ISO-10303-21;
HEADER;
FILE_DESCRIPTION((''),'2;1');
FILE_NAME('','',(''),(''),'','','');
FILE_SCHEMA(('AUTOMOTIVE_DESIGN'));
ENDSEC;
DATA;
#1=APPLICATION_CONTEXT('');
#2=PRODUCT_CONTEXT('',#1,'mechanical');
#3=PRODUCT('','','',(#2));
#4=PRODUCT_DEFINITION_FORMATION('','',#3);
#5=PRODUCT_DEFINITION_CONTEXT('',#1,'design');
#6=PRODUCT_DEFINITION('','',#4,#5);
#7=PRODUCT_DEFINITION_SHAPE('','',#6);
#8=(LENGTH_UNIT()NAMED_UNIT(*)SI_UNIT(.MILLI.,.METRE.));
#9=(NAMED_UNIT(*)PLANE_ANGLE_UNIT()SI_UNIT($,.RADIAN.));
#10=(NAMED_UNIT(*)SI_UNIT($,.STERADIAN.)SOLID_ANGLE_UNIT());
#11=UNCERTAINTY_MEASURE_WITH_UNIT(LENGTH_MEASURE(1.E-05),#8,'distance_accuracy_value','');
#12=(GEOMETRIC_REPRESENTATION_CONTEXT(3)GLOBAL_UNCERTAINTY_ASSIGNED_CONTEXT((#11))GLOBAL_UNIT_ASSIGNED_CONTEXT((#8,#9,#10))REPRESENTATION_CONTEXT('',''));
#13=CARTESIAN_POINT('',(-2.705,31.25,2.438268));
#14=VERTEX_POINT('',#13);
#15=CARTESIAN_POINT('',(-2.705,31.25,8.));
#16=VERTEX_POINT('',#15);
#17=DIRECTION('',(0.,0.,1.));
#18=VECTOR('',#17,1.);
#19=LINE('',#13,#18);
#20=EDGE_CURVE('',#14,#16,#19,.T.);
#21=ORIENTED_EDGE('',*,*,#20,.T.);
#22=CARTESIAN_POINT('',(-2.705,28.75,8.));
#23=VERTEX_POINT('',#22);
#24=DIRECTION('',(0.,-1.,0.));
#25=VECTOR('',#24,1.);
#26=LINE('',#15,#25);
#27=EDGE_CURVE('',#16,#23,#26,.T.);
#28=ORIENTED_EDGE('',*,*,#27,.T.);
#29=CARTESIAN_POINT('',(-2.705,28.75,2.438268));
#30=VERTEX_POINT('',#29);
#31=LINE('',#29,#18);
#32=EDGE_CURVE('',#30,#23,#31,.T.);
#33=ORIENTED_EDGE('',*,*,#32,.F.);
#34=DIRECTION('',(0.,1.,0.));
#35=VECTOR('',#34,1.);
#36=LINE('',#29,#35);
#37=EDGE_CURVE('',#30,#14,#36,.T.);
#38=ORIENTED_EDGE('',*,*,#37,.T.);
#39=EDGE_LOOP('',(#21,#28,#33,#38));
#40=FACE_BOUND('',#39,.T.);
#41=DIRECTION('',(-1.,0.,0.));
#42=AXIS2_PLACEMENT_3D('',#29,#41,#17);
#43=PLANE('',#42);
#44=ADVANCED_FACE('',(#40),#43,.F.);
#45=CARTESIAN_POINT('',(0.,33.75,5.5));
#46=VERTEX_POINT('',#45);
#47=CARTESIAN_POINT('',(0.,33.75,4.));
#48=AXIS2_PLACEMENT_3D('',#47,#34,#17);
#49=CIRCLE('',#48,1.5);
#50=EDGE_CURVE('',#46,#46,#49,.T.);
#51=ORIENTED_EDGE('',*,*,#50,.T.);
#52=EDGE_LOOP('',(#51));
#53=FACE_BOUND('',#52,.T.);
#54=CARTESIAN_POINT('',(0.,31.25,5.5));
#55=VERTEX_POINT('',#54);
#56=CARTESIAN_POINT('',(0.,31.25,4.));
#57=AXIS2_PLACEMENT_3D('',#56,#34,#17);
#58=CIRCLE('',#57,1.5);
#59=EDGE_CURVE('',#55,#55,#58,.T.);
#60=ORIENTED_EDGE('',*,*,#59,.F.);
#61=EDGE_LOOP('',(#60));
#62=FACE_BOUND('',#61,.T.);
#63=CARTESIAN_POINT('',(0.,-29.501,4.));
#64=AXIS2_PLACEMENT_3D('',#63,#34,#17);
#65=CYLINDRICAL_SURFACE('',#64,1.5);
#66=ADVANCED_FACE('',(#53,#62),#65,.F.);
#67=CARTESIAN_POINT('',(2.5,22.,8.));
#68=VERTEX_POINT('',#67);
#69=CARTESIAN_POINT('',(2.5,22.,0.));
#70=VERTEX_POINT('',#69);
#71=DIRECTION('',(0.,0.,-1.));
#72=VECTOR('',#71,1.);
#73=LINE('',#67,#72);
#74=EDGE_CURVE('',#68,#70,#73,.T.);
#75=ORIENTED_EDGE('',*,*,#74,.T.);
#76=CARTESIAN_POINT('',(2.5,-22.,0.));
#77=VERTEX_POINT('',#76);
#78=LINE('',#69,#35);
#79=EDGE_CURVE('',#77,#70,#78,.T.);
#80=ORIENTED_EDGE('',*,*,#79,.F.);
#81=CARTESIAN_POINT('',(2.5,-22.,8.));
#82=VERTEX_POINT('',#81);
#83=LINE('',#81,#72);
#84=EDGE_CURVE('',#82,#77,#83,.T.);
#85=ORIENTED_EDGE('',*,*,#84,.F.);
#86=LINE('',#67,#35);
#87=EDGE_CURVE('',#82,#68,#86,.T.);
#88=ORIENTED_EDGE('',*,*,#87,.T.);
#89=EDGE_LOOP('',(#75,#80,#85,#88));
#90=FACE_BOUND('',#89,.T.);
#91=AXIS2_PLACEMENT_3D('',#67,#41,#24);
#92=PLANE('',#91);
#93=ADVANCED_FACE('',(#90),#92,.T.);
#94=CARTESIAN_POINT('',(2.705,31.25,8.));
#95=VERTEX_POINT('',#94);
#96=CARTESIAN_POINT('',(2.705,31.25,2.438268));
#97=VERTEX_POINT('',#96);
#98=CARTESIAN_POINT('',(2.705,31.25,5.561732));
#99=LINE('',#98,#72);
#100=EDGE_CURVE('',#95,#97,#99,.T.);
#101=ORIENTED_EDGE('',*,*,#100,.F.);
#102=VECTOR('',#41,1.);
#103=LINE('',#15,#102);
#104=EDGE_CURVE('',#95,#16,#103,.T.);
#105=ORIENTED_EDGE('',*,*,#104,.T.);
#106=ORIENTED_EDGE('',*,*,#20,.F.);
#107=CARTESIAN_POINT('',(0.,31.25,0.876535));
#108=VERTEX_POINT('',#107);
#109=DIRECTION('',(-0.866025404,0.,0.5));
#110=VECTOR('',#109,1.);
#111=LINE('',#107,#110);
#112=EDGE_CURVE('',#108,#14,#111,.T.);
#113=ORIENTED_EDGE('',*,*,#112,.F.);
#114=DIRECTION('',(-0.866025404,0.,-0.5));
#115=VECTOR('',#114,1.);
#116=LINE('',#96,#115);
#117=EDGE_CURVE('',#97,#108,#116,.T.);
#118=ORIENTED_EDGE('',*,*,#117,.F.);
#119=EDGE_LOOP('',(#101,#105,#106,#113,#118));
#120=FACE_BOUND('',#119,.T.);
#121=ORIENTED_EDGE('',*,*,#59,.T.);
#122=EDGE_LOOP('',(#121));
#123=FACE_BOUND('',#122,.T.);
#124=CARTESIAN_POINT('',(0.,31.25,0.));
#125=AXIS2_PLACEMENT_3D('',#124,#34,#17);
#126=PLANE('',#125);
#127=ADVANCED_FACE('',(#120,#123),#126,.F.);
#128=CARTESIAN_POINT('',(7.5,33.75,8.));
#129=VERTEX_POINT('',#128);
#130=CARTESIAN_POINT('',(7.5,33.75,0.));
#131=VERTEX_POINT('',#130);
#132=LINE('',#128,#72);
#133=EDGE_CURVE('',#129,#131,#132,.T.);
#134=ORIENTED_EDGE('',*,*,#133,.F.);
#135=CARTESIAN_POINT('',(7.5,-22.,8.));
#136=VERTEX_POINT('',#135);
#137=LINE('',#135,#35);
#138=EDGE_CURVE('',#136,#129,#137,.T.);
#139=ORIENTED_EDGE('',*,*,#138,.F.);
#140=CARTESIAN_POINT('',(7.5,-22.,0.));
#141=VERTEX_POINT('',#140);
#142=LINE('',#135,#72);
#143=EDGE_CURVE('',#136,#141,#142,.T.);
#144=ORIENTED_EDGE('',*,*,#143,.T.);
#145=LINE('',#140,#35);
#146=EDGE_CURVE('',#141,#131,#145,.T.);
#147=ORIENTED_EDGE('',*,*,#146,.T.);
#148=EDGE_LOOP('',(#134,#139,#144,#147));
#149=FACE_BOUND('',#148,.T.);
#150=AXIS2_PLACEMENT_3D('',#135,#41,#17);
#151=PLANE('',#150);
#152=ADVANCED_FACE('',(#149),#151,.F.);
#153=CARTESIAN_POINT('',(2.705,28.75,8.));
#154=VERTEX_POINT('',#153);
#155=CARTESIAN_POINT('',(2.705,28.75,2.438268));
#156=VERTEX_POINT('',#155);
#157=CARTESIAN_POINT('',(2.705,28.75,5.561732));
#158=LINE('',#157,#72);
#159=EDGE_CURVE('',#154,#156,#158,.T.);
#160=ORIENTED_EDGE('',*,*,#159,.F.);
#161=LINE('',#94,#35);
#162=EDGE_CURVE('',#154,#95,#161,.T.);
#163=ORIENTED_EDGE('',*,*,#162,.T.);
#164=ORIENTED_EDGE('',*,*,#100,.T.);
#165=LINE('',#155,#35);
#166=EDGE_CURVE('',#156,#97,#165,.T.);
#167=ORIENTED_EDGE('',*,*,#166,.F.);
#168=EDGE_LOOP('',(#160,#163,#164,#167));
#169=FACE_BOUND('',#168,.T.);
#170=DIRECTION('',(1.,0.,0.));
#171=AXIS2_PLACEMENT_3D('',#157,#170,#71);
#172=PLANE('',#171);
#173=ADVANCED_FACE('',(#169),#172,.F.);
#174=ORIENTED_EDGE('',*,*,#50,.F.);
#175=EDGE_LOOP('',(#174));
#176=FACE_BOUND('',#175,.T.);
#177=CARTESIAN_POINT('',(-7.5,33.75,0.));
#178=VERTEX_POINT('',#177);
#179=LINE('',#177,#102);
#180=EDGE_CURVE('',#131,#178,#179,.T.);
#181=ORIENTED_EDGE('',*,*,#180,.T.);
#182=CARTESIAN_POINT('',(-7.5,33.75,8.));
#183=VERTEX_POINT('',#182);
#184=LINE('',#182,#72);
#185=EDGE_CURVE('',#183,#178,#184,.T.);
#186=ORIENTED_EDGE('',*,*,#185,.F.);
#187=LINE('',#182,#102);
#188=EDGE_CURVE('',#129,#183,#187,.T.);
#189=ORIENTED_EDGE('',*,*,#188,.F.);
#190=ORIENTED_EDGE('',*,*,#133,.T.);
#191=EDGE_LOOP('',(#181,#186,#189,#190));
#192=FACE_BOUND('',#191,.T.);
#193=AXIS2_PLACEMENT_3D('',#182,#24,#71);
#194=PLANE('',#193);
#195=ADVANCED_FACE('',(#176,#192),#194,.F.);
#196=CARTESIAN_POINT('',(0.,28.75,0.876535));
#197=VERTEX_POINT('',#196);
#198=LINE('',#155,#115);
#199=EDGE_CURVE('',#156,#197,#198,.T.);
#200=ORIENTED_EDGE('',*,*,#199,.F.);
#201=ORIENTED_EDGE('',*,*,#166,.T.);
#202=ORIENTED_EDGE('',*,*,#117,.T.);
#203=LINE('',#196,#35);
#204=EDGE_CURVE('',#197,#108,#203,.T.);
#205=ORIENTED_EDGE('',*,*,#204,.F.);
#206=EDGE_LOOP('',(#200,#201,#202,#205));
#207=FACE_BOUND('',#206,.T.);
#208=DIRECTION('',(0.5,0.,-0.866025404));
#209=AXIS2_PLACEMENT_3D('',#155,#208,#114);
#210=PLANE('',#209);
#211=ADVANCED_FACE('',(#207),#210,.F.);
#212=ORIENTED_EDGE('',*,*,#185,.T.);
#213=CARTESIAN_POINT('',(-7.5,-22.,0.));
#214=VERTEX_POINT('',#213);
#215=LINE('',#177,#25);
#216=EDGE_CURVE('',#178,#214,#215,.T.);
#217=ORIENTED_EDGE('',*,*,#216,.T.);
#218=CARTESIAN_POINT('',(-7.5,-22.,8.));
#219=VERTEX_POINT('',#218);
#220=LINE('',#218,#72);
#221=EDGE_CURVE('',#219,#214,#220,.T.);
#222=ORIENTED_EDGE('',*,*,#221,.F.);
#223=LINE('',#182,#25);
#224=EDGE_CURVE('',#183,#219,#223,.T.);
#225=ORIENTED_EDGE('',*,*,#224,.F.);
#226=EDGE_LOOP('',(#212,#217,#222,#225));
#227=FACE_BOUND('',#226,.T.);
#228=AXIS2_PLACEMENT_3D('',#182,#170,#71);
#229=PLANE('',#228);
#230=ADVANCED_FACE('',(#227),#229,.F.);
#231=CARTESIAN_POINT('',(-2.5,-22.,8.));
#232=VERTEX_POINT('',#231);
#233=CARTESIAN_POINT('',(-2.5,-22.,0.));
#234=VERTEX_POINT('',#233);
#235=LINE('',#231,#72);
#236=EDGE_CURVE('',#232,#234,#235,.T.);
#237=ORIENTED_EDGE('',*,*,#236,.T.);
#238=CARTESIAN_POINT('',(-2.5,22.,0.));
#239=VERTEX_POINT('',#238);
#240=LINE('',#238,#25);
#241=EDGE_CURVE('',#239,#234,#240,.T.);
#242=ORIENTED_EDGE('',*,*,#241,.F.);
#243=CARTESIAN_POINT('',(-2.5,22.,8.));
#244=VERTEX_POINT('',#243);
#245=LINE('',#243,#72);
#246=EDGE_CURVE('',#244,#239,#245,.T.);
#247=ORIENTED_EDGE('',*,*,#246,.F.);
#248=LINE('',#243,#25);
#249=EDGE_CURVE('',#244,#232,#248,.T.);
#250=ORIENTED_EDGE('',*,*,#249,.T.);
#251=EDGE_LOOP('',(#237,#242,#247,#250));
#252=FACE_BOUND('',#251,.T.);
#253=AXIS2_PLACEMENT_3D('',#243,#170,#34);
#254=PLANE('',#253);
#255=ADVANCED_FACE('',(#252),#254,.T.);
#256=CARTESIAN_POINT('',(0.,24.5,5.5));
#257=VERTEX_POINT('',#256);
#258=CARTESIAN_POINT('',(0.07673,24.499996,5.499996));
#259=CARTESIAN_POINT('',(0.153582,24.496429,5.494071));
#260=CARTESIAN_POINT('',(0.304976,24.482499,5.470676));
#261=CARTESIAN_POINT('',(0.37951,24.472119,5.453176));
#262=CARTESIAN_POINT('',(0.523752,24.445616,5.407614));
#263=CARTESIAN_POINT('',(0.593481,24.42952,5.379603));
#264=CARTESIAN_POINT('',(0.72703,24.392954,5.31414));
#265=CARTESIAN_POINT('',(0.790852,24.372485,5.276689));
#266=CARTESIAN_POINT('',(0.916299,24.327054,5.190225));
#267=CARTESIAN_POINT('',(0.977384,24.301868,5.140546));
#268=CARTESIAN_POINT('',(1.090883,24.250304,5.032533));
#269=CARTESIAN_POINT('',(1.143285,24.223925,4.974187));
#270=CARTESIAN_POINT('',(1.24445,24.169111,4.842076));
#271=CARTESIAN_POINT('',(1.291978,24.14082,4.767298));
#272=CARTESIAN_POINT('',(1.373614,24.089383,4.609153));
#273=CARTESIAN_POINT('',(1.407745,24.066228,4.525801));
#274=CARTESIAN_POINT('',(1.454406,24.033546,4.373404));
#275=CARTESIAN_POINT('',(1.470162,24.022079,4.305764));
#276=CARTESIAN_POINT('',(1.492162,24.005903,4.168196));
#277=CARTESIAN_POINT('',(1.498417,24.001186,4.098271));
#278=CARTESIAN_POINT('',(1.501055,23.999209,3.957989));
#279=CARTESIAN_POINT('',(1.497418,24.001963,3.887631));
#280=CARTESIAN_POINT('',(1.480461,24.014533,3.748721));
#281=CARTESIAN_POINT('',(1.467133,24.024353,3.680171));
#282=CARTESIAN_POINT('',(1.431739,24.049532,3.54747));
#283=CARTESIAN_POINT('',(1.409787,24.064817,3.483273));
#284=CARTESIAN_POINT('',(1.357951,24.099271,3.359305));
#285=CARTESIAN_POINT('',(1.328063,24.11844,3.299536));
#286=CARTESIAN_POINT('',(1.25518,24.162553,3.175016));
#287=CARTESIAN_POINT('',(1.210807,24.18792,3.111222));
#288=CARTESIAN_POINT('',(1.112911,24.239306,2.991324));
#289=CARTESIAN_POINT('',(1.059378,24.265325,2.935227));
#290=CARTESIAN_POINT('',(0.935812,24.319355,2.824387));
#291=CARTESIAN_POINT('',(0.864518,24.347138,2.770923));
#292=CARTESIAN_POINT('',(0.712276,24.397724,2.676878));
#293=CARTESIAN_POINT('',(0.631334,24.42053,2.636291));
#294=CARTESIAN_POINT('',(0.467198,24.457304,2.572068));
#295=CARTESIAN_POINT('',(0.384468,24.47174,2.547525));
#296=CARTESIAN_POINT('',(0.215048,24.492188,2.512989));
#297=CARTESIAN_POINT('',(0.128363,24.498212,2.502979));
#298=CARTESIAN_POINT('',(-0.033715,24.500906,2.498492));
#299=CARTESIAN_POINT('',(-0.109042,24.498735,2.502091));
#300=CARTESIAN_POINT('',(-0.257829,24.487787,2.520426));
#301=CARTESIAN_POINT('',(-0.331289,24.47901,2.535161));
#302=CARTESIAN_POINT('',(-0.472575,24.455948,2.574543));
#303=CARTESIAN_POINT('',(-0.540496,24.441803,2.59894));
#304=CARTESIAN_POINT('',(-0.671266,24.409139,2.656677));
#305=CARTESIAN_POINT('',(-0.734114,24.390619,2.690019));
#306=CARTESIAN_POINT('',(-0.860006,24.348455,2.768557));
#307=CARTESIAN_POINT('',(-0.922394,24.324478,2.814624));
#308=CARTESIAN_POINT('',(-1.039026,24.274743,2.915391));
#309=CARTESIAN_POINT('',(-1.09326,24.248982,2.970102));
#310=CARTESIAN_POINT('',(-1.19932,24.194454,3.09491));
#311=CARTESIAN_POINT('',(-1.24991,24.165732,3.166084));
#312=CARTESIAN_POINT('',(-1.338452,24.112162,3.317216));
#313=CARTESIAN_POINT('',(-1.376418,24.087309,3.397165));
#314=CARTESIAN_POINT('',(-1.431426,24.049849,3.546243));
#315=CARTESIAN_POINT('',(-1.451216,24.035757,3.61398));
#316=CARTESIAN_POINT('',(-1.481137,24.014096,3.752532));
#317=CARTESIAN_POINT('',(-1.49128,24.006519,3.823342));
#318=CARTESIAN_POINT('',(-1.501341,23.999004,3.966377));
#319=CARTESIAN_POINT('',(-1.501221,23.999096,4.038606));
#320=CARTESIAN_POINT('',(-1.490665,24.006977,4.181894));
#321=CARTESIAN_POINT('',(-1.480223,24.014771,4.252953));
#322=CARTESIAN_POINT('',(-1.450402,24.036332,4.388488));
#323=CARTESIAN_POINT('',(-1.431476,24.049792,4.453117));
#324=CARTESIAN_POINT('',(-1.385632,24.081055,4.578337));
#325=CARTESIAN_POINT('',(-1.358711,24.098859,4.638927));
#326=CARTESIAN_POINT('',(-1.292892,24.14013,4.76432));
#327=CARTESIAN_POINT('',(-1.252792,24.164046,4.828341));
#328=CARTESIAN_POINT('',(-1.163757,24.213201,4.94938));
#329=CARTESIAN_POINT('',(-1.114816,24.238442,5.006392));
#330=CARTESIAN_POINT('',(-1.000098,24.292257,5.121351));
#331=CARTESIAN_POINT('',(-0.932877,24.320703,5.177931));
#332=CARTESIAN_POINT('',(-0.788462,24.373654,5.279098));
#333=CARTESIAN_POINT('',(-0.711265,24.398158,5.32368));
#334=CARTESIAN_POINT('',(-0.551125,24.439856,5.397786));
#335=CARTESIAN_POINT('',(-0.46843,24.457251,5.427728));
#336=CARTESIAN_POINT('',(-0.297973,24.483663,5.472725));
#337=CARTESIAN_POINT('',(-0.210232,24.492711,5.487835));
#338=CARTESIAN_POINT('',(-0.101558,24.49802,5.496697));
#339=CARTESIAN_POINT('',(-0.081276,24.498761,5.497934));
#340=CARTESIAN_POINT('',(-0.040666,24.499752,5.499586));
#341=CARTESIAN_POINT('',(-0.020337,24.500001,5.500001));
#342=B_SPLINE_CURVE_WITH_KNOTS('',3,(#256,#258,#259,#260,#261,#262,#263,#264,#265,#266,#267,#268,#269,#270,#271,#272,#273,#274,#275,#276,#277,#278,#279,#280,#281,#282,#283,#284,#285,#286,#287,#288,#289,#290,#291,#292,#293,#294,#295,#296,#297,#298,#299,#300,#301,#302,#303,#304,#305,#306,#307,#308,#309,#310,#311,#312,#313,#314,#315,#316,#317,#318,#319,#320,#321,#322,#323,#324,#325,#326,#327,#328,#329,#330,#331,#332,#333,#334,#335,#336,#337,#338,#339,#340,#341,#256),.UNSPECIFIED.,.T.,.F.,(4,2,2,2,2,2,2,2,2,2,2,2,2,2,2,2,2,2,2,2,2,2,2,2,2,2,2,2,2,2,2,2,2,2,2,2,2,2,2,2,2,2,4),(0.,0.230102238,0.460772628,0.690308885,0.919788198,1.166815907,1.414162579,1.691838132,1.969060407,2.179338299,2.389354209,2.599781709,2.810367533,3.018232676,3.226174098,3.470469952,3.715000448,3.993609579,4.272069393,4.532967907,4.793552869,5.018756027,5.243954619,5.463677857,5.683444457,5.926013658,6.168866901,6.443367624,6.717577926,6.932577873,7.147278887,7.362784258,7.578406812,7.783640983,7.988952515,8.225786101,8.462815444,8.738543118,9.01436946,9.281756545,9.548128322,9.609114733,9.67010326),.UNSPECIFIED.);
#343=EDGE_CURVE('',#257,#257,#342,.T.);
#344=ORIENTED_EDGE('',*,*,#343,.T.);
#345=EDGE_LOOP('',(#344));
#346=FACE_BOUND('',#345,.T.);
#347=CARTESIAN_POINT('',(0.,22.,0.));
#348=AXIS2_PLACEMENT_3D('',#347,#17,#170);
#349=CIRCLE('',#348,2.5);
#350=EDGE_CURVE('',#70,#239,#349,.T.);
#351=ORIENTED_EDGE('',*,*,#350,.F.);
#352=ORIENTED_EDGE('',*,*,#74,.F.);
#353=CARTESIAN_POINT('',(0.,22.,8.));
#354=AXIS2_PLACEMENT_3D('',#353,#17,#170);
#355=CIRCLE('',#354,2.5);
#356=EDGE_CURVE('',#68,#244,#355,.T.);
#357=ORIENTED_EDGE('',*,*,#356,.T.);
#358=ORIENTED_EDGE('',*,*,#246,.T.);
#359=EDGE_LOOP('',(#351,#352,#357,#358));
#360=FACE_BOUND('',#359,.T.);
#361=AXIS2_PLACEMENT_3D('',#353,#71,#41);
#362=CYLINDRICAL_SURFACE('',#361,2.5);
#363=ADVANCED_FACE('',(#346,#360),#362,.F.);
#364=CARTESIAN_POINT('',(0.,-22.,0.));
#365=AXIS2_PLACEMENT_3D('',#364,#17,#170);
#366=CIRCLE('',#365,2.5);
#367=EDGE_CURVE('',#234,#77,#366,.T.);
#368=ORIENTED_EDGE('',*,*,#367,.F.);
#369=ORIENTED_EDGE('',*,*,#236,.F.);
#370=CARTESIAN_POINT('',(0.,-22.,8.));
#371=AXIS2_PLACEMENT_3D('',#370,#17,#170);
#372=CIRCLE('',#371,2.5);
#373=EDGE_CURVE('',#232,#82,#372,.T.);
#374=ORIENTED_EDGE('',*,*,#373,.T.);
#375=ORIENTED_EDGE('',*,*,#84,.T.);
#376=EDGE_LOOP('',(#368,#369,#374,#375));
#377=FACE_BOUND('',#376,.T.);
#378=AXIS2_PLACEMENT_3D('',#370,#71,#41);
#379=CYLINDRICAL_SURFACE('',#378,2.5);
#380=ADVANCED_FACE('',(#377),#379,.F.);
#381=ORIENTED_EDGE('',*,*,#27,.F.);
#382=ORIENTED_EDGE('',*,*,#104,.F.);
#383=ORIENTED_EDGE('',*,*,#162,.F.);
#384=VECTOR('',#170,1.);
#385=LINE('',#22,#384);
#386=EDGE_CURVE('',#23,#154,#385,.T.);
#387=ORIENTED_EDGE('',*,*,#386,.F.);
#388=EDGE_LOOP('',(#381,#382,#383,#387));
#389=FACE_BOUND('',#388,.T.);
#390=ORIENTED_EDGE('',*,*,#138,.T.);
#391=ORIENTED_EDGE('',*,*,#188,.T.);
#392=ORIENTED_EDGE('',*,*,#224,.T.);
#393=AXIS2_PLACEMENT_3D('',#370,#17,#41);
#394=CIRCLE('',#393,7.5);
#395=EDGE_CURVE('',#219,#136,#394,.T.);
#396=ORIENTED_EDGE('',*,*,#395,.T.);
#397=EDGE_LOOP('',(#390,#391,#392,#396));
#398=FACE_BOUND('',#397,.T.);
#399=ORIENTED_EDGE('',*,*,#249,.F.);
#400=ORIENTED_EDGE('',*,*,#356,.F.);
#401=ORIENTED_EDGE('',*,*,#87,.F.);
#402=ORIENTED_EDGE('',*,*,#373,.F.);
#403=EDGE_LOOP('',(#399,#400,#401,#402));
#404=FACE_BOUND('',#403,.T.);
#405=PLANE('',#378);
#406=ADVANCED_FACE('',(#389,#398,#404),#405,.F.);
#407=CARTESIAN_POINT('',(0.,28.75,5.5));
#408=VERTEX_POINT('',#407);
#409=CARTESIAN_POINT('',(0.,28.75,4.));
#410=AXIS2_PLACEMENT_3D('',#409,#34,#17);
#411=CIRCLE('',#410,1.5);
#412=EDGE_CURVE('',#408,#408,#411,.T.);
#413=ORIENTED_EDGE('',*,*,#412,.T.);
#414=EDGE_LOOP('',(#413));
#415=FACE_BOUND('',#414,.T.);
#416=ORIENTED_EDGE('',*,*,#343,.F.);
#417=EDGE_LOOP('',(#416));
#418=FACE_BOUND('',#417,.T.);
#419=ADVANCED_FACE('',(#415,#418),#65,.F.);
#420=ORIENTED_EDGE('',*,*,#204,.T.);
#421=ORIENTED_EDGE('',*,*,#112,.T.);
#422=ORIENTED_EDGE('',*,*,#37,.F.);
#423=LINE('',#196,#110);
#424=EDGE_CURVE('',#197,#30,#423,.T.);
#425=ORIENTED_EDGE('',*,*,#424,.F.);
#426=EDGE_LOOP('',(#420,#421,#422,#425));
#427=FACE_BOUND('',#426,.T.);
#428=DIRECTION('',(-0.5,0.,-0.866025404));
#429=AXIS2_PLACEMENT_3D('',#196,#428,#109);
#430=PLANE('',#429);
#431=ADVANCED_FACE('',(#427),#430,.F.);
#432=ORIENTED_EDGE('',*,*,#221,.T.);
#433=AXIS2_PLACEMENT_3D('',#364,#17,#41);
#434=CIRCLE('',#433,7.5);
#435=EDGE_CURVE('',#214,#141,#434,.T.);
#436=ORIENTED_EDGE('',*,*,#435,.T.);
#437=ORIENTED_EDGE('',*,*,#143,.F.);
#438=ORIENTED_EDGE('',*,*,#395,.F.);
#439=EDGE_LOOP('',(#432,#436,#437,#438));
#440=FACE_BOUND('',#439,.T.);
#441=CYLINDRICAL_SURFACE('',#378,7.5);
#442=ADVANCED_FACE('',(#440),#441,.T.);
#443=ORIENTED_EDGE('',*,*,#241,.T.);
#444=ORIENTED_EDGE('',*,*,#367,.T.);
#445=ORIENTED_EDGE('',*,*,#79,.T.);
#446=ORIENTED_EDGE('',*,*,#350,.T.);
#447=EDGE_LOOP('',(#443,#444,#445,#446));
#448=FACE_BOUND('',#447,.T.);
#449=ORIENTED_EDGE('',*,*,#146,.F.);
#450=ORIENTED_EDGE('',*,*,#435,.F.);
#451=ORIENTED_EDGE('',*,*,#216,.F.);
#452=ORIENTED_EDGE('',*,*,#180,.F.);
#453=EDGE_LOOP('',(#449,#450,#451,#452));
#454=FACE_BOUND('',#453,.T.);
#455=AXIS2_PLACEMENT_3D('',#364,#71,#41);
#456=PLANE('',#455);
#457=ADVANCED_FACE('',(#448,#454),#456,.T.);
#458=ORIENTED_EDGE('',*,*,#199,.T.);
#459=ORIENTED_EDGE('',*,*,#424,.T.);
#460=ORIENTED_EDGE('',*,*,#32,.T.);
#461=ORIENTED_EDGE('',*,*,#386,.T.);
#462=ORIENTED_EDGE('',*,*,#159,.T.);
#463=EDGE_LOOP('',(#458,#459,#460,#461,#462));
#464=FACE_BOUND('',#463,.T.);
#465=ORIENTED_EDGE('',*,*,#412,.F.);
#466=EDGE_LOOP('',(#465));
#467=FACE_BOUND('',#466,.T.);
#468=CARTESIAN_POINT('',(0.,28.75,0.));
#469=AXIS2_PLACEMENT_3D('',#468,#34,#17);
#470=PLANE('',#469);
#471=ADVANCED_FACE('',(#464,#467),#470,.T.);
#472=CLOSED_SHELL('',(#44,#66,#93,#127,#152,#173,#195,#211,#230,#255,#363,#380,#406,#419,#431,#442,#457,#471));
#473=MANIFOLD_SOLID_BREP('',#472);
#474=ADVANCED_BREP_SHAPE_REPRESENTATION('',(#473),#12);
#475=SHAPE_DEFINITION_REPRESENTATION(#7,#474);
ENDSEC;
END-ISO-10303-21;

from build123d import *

# Parameters (mm, degrees)
BOSS_EXTRUDE1_DEPTH     = 8
CUT_EXTRUDE2_START      = -2.5
CUT_EXTRUDE2_DEPTH      = 2.5
SKETCH4_W               = 5.41
SKETCH4_H               = 2.5
CUT_EXTRUDE3_DEPTH      = 4
CUT_EXTRUDE4_REACH      = 66.194
CUT_EXTRUDE4_END_RADIUS = 2.5
SKETCH5_R               = 1.5


with BuildPart() as part:
    # Sketch1 → Boss-Extrude1 (new body)
    with BuildSketch(Plane.XY):
        with BuildLine():
            Line((-7.5, 33.75), (7.5, 33.75))
            Line((7.5, 33.75), (7.5, -22))
            ThreePointArc((7.5, -22), (0, -29.5), (-7.5, -22))
            Line((-7.5, -22), (-7.5, 33.75))
        make_face()
        with BuildLine():
            Line((2.5, 22), (2.5, -22))
            ThreePointArc((2.5, -22), (0, -24.5), (-2.5, -22))
            Line((-2.5, -22), (-2.5, 22))
            ThreePointArc((-2.5, 22), (0, 24.5), (2.5, 22))
        make_face(mode=Mode.SUBTRACT)
    extrude(amount=BOSS_EXTRUDE1_DEPTH)

    # Sketch3 → Cut-Extrude2 (cut)
    with BuildSketch(Plane(origin=(0, 33.75, 0), x_dir=(1, 0, 0), z_dir=(0, 1, 0)).offset(CUT_EXTRUDE2_START)):
        Polygon((0, -7.123464956), (2.705, -5.561732478), (2.705, -2.438267522), (0, -0.876535044), (-2.705, -2.438267522), (-2.705, -5.561732478), align=None)
    extrude(amount=-CUT_EXTRUDE2_DEPTH, mode=Mode.SUBTRACT)

    # Sketch4 → Cut-Extrude3 (cut)
    with BuildSketch(Plane.XY.offset(8)):
        with Locations((0, 30)):
            Rectangle(SKETCH4_W, SKETCH4_H)
    extrude(amount=-CUT_EXTRUDE3_DEPTH, mode=Mode.SUBTRACT)

    # Cut-Extrude4: up to this cylinder (the profile starts outside it)
    cut_extrude4_end = Plane(origin=(0, 22, 4), z_dir=(0, 0, -1)) * Cylinder(CUT_EXTRUDE4_END_RADIUS, 138.388, mode=Mode.PRIVATE)
    # Sketch5 → Cut-Extrude4 (cut, up to the surface)
    with BuildSketch(Plane(origin=(0, 33.75, 0), x_dir=(1, 0, 0), z_dir=(0, 1, 0)), mode=Mode.PRIVATE) as cut_extrude4_sk1:
        with Locations(Location((0, -4, 0), (0, 0, 270))):
            Circle(SKETCH5_R)
    cut_extrude4_tool1 = extrude(cut_extrude4_sk1.sketch, amount=-CUT_EXTRUDE4_REACH, mode=Mode.PRIVATE) - cut_extrude4_end
    add(cut_extrude4_tool1.solids().sort_by_distance((0, 33.75, 4))[0], mode=Mode.SUBTRACT)


solid = part.part
